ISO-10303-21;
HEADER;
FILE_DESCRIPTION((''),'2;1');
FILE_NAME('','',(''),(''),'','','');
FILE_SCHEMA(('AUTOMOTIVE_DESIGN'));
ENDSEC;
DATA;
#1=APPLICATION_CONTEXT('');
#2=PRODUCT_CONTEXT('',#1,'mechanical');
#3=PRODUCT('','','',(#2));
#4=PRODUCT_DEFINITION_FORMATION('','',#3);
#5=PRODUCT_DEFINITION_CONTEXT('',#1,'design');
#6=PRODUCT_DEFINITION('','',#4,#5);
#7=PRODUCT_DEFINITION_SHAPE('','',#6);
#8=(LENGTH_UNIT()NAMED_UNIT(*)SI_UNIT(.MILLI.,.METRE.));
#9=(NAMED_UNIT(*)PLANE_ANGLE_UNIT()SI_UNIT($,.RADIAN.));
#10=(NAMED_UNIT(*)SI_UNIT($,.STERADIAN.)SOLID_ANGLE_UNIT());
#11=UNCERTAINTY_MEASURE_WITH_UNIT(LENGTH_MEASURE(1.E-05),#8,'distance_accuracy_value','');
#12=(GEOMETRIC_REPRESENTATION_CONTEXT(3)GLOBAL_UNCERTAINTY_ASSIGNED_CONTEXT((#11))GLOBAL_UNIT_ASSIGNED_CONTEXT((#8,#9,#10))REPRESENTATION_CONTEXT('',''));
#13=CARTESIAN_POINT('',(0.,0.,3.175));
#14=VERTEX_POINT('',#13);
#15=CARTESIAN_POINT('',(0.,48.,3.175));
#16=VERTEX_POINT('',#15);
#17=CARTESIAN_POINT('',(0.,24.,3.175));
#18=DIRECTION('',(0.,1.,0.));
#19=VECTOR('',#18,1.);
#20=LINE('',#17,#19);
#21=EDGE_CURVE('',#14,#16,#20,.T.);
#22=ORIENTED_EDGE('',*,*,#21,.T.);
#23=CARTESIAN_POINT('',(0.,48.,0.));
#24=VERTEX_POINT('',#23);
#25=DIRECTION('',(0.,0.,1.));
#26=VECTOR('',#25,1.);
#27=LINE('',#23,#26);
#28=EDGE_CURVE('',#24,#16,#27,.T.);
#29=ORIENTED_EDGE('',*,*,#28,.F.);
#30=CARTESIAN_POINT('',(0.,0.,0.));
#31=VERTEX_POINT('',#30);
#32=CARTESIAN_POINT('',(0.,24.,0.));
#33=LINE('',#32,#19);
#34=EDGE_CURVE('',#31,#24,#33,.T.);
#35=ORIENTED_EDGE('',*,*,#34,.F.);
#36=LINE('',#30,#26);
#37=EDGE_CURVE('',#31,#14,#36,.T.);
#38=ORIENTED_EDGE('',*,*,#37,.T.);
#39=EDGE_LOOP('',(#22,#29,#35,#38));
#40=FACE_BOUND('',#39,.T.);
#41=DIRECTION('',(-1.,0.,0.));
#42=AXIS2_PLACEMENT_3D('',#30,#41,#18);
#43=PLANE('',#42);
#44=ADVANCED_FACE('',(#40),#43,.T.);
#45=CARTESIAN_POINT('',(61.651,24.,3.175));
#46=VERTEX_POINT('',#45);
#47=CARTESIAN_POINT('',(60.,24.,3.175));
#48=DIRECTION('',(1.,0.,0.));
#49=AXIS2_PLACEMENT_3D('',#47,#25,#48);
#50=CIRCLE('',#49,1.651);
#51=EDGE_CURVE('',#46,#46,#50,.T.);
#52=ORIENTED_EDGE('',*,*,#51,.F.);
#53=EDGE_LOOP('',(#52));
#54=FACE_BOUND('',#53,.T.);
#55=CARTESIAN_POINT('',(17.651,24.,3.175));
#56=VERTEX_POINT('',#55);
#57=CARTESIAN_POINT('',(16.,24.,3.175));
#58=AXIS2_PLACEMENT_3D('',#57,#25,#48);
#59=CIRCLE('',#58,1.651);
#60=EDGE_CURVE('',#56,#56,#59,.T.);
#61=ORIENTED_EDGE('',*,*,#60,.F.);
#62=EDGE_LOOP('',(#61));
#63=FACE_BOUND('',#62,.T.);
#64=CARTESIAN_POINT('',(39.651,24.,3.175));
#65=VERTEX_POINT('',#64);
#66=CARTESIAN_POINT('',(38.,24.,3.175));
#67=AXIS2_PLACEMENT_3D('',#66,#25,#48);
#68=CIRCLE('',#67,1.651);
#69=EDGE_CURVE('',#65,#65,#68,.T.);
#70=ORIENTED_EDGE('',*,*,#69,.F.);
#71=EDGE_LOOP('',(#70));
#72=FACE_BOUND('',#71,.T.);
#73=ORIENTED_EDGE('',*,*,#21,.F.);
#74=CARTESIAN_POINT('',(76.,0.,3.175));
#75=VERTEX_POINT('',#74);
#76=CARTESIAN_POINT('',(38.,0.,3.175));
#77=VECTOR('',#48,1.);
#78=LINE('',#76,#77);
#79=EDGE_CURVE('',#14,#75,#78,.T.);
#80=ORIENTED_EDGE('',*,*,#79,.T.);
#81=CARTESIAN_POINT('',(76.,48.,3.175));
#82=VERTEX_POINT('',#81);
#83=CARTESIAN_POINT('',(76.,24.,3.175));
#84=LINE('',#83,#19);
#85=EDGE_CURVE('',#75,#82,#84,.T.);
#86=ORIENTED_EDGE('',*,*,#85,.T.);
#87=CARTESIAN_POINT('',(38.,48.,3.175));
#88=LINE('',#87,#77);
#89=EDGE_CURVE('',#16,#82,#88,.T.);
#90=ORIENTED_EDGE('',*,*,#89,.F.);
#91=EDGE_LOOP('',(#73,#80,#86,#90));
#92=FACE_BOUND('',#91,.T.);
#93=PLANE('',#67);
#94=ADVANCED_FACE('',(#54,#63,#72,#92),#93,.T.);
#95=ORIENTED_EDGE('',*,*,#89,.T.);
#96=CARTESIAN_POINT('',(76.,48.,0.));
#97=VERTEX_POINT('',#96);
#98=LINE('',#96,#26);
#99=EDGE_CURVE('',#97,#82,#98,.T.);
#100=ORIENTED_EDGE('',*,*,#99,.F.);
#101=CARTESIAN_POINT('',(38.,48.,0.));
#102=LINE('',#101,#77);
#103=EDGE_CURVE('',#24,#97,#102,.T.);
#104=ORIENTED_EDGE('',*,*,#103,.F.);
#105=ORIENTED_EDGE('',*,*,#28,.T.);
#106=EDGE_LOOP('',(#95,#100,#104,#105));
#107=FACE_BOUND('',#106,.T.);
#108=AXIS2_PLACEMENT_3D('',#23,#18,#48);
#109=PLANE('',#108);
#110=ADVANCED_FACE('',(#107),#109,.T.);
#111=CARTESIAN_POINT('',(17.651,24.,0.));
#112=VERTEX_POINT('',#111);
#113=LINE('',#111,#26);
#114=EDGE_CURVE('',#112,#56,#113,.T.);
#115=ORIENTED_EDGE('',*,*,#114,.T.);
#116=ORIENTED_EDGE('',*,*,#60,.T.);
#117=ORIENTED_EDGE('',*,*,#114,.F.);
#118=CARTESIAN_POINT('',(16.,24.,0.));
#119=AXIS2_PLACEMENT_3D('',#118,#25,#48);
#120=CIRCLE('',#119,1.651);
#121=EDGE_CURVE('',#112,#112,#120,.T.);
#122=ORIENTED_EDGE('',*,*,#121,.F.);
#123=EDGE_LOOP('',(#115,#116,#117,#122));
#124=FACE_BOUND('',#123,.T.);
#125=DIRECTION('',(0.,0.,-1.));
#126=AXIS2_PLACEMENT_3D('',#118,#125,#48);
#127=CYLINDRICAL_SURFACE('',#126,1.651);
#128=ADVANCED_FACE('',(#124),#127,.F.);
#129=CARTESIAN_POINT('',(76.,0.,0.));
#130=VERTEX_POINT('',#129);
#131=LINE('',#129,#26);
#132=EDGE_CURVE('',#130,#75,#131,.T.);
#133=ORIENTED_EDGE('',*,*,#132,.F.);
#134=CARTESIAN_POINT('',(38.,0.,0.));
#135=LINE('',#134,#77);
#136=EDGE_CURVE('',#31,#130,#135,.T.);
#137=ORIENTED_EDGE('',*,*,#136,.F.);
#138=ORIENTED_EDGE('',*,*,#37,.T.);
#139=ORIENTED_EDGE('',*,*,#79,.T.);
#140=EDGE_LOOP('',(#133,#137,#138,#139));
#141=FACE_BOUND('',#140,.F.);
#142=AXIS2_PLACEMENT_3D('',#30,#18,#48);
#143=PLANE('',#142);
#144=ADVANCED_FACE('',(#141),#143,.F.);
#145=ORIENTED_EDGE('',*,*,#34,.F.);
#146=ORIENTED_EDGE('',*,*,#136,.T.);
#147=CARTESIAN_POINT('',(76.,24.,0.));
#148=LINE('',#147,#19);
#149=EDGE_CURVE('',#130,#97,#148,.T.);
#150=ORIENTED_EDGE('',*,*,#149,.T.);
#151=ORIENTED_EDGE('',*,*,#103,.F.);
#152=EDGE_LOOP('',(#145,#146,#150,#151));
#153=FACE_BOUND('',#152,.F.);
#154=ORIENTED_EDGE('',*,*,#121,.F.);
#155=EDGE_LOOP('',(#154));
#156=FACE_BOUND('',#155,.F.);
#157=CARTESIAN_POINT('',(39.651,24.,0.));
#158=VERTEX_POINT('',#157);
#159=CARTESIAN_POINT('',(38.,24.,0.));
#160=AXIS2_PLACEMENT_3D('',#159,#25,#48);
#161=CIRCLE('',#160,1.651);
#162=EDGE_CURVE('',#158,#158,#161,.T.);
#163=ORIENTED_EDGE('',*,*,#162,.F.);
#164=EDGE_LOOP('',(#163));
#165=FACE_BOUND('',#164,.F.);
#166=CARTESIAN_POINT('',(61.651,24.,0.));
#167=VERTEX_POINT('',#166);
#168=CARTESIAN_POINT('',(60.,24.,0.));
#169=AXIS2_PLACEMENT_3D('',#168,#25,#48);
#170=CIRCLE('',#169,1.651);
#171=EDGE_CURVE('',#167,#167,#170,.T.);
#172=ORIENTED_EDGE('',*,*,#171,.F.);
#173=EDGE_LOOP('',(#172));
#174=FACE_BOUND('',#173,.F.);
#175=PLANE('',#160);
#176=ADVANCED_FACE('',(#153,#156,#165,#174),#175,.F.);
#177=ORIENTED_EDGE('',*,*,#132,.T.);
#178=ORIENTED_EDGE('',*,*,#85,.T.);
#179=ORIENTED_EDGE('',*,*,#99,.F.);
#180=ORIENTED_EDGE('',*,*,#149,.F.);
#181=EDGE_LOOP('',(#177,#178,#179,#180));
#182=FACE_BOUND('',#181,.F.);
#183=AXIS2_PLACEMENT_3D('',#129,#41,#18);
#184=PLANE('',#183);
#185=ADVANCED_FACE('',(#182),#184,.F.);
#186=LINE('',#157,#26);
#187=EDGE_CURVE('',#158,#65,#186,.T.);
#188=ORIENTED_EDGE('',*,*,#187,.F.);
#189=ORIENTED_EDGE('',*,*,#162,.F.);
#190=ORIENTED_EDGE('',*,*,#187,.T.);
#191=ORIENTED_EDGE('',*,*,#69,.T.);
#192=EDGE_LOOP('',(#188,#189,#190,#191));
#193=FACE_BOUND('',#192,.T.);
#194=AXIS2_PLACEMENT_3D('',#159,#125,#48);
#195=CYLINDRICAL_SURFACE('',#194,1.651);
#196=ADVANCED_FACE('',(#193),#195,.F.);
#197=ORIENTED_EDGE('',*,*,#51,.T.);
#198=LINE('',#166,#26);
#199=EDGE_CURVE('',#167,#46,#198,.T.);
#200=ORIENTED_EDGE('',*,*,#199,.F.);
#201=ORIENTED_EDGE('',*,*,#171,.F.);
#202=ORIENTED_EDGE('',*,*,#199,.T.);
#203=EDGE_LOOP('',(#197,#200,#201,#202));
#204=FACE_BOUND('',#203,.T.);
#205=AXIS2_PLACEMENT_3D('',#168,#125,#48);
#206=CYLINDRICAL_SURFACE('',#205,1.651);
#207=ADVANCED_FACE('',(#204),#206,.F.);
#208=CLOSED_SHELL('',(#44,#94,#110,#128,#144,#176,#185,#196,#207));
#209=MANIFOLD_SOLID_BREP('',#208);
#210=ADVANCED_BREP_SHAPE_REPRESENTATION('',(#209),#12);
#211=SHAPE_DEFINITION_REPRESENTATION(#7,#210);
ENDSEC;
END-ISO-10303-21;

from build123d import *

# Parameters (mm, degrees)
F0_W     = 76
F0_H     = 48
F0_R     = 1.651
F1_DEPTH = 3.175


with BuildPart() as f1:
    # F0 (on Top) → F1 (new body)
    with BuildSketch(Plane.XY):
        with Locations((38, 24)):
            Rectangle(F0_W, F0_H)
        with Locations((16, 24)):
            Circle(F0_R, mode=Mode.SUBTRACT)
        with Locations((38, 24)):
            Circle(F0_R, mode=Mode.SUBTRACT)
        with Locations((60, 24)):
            Circle(F0_R, mode=Mode.SUBTRACT)
    extrude(amount=F1_DEPTH)


solid = f1.part
